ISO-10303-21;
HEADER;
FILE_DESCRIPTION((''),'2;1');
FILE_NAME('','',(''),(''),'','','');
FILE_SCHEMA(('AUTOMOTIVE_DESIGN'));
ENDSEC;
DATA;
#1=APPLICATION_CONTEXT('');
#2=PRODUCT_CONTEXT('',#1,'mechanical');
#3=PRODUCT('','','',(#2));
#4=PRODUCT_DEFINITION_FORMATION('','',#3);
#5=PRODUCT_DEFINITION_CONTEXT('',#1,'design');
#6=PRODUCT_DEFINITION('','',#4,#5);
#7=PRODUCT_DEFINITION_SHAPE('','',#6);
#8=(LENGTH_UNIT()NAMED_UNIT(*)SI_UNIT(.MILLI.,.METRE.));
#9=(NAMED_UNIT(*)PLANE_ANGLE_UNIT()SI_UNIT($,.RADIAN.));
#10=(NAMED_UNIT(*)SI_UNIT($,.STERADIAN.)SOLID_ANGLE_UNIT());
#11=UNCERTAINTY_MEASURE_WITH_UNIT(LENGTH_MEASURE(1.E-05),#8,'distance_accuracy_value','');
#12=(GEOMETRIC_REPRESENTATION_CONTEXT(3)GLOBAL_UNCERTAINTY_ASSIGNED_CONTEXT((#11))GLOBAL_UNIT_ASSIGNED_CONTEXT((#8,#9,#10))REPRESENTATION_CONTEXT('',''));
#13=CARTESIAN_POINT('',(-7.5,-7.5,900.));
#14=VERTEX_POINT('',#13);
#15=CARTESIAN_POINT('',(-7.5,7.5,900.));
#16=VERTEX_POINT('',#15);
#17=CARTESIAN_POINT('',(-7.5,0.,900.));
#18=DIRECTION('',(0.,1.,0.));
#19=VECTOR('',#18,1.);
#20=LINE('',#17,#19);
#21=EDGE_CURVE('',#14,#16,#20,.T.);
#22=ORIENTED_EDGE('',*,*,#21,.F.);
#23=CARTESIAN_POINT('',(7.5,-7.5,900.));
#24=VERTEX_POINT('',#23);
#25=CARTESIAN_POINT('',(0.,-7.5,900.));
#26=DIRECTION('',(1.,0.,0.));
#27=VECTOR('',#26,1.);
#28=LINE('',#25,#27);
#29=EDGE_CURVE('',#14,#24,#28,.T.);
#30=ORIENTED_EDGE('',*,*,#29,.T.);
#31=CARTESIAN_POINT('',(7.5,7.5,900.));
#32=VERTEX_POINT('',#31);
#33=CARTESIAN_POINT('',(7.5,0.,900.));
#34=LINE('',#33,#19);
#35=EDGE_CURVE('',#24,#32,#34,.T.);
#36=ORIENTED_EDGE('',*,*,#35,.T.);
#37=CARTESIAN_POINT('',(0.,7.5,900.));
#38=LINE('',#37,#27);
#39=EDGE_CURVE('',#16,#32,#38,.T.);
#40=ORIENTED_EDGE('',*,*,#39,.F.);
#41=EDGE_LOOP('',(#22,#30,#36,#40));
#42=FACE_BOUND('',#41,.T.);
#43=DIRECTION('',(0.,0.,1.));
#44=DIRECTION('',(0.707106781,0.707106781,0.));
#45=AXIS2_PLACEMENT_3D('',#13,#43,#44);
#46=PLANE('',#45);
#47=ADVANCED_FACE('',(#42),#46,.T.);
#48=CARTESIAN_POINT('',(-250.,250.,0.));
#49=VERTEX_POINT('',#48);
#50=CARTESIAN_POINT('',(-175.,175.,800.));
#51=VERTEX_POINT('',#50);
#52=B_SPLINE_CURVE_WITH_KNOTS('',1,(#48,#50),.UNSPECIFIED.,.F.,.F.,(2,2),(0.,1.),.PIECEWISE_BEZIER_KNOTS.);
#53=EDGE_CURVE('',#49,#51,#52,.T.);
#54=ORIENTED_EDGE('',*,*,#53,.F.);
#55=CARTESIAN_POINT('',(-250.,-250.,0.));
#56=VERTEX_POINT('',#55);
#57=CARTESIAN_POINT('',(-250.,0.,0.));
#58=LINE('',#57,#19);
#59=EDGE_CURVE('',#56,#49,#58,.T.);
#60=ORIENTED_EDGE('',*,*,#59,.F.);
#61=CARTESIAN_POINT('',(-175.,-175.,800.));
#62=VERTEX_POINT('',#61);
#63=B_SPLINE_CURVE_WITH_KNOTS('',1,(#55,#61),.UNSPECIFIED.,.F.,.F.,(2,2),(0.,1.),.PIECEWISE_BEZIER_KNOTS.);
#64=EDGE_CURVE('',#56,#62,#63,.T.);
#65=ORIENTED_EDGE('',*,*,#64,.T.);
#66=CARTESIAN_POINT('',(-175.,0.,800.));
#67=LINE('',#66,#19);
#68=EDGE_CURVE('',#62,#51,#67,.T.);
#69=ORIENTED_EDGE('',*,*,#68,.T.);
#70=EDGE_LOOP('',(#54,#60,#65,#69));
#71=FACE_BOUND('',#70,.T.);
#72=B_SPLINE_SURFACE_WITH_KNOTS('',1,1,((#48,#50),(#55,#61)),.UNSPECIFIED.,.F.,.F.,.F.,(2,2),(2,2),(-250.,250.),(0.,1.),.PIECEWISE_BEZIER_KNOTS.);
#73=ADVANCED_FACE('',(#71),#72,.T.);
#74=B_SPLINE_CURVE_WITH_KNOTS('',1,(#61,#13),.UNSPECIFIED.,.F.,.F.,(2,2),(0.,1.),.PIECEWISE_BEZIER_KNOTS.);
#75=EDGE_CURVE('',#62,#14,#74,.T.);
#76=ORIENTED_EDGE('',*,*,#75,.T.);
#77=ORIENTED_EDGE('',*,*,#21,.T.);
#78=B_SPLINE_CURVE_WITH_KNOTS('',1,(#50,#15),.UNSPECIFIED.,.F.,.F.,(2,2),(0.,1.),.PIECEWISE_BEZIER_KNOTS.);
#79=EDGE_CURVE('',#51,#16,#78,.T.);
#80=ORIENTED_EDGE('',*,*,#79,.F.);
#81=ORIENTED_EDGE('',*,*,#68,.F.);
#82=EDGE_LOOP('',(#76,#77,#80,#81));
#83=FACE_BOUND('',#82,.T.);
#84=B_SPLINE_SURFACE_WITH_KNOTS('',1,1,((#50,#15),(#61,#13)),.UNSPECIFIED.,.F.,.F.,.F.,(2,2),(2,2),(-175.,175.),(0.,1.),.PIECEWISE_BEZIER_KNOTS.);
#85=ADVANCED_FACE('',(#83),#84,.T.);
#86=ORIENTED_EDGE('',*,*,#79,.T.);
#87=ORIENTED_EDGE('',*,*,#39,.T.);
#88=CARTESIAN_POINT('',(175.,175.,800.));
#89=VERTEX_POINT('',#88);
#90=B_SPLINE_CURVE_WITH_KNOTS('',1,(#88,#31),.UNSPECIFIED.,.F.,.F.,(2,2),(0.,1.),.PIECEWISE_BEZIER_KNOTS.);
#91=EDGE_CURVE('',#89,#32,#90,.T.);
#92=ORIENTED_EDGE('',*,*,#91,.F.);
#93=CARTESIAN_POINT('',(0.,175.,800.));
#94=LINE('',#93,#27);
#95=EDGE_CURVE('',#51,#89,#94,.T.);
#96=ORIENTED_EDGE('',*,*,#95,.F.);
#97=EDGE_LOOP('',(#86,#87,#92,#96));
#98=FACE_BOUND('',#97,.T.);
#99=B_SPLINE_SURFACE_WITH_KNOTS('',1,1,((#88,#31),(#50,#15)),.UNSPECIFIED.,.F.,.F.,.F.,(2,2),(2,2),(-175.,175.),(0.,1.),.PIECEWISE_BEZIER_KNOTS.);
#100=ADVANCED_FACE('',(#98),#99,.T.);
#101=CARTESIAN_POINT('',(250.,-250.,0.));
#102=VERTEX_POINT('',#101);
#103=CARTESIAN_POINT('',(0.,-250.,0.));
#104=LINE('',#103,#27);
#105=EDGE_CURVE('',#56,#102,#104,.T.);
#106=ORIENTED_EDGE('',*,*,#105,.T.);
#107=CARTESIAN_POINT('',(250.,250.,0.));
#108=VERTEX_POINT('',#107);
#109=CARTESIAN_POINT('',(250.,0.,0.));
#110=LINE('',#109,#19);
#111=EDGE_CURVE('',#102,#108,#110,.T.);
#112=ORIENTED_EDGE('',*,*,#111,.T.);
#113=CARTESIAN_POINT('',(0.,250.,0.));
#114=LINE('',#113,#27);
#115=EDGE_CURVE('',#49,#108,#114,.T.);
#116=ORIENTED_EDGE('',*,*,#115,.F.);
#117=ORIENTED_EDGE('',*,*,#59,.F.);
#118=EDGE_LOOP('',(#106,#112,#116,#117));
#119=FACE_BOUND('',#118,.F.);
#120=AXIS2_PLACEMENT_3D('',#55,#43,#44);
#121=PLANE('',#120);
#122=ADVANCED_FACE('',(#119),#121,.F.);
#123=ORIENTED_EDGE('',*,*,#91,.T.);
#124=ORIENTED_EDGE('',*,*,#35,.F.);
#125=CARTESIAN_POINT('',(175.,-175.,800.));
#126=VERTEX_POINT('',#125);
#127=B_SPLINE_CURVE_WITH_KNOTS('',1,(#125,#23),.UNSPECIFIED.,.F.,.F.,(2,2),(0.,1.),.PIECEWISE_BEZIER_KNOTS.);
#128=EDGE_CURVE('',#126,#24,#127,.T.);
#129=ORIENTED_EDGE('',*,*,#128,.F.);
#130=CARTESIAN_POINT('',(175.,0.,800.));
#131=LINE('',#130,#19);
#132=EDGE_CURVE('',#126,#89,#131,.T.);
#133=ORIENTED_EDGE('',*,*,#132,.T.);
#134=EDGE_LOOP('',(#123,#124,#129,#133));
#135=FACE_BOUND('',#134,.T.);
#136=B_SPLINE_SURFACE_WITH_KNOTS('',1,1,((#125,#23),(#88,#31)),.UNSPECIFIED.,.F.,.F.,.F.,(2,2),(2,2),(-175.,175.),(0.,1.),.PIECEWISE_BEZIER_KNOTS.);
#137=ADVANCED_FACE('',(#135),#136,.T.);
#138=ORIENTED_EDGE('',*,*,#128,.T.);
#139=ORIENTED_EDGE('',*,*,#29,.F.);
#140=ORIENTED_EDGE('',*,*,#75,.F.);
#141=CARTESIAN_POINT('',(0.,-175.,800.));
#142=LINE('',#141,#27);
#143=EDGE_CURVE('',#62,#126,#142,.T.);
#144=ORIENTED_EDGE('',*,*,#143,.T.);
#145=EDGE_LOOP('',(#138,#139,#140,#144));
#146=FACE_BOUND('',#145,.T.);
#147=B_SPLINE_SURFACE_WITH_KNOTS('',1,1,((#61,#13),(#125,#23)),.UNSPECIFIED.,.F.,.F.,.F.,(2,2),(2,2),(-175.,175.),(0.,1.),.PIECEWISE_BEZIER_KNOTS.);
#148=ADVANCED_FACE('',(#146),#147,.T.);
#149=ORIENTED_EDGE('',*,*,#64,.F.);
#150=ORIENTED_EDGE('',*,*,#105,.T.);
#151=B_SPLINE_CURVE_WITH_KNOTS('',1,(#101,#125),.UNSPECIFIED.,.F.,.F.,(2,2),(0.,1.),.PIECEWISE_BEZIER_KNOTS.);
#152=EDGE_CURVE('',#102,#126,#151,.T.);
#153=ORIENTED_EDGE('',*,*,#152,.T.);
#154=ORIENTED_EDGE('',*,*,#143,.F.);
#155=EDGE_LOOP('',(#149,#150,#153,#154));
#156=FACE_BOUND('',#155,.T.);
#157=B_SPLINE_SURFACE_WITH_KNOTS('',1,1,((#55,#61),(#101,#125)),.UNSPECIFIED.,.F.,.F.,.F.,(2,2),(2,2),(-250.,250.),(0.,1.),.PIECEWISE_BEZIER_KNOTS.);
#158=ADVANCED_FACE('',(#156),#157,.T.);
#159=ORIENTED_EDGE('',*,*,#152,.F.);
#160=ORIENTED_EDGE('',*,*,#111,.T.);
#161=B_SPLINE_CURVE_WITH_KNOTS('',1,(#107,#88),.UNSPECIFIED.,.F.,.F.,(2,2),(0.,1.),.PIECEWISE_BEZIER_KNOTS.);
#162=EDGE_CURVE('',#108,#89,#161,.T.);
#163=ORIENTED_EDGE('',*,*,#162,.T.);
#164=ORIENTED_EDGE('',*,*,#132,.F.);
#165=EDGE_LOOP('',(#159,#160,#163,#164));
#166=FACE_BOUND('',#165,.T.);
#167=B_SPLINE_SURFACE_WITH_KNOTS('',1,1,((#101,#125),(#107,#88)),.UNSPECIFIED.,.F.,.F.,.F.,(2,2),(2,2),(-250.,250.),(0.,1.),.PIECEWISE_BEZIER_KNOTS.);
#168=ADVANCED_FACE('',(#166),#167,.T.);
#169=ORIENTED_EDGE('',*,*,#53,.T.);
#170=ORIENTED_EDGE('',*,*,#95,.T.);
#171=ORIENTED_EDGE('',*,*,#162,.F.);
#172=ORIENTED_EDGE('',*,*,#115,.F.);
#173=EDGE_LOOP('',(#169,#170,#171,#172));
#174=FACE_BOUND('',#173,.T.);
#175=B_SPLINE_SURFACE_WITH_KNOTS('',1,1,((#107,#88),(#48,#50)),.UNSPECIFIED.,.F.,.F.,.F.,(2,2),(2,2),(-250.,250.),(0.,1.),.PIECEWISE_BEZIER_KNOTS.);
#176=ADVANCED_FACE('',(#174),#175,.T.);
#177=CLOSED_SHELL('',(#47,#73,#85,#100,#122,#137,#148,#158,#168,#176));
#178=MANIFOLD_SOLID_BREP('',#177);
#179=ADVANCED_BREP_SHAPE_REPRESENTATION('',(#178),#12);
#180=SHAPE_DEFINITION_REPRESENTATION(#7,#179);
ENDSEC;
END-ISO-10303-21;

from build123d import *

# Parameters (mm, degrees)
F0_W      = 500
F0_H      = 500
F2_W      = 350
F2_H      = 350
F5_FACE_W = 350
F5_FACE_H = 350
F4_W      = 15
F4_H      = 15


with BuildPart() as f5:
    # F0 (on Top) → F5 section 0
    with BuildSketch(Plane.XY):
        Rectangle(F0_W, F0_H)
    # F2 (on offset) → F5 section 1
    with BuildSketch(Plane.XY.offset(800)):
        Rectangle(F2_W, F2_H)
    loft()

    # F5_face (on face) → F6 section 0
    with BuildSketch(Plane.XY.offset(800)):
        Rectangle(F5_FACE_W, F5_FACE_H)
    # F4 (on offset) → F6 section 1
    with BuildSketch(Plane.XY.offset(900)):
        Rectangle(F4_W, F4_H)
    loft()


solid = f5.part
